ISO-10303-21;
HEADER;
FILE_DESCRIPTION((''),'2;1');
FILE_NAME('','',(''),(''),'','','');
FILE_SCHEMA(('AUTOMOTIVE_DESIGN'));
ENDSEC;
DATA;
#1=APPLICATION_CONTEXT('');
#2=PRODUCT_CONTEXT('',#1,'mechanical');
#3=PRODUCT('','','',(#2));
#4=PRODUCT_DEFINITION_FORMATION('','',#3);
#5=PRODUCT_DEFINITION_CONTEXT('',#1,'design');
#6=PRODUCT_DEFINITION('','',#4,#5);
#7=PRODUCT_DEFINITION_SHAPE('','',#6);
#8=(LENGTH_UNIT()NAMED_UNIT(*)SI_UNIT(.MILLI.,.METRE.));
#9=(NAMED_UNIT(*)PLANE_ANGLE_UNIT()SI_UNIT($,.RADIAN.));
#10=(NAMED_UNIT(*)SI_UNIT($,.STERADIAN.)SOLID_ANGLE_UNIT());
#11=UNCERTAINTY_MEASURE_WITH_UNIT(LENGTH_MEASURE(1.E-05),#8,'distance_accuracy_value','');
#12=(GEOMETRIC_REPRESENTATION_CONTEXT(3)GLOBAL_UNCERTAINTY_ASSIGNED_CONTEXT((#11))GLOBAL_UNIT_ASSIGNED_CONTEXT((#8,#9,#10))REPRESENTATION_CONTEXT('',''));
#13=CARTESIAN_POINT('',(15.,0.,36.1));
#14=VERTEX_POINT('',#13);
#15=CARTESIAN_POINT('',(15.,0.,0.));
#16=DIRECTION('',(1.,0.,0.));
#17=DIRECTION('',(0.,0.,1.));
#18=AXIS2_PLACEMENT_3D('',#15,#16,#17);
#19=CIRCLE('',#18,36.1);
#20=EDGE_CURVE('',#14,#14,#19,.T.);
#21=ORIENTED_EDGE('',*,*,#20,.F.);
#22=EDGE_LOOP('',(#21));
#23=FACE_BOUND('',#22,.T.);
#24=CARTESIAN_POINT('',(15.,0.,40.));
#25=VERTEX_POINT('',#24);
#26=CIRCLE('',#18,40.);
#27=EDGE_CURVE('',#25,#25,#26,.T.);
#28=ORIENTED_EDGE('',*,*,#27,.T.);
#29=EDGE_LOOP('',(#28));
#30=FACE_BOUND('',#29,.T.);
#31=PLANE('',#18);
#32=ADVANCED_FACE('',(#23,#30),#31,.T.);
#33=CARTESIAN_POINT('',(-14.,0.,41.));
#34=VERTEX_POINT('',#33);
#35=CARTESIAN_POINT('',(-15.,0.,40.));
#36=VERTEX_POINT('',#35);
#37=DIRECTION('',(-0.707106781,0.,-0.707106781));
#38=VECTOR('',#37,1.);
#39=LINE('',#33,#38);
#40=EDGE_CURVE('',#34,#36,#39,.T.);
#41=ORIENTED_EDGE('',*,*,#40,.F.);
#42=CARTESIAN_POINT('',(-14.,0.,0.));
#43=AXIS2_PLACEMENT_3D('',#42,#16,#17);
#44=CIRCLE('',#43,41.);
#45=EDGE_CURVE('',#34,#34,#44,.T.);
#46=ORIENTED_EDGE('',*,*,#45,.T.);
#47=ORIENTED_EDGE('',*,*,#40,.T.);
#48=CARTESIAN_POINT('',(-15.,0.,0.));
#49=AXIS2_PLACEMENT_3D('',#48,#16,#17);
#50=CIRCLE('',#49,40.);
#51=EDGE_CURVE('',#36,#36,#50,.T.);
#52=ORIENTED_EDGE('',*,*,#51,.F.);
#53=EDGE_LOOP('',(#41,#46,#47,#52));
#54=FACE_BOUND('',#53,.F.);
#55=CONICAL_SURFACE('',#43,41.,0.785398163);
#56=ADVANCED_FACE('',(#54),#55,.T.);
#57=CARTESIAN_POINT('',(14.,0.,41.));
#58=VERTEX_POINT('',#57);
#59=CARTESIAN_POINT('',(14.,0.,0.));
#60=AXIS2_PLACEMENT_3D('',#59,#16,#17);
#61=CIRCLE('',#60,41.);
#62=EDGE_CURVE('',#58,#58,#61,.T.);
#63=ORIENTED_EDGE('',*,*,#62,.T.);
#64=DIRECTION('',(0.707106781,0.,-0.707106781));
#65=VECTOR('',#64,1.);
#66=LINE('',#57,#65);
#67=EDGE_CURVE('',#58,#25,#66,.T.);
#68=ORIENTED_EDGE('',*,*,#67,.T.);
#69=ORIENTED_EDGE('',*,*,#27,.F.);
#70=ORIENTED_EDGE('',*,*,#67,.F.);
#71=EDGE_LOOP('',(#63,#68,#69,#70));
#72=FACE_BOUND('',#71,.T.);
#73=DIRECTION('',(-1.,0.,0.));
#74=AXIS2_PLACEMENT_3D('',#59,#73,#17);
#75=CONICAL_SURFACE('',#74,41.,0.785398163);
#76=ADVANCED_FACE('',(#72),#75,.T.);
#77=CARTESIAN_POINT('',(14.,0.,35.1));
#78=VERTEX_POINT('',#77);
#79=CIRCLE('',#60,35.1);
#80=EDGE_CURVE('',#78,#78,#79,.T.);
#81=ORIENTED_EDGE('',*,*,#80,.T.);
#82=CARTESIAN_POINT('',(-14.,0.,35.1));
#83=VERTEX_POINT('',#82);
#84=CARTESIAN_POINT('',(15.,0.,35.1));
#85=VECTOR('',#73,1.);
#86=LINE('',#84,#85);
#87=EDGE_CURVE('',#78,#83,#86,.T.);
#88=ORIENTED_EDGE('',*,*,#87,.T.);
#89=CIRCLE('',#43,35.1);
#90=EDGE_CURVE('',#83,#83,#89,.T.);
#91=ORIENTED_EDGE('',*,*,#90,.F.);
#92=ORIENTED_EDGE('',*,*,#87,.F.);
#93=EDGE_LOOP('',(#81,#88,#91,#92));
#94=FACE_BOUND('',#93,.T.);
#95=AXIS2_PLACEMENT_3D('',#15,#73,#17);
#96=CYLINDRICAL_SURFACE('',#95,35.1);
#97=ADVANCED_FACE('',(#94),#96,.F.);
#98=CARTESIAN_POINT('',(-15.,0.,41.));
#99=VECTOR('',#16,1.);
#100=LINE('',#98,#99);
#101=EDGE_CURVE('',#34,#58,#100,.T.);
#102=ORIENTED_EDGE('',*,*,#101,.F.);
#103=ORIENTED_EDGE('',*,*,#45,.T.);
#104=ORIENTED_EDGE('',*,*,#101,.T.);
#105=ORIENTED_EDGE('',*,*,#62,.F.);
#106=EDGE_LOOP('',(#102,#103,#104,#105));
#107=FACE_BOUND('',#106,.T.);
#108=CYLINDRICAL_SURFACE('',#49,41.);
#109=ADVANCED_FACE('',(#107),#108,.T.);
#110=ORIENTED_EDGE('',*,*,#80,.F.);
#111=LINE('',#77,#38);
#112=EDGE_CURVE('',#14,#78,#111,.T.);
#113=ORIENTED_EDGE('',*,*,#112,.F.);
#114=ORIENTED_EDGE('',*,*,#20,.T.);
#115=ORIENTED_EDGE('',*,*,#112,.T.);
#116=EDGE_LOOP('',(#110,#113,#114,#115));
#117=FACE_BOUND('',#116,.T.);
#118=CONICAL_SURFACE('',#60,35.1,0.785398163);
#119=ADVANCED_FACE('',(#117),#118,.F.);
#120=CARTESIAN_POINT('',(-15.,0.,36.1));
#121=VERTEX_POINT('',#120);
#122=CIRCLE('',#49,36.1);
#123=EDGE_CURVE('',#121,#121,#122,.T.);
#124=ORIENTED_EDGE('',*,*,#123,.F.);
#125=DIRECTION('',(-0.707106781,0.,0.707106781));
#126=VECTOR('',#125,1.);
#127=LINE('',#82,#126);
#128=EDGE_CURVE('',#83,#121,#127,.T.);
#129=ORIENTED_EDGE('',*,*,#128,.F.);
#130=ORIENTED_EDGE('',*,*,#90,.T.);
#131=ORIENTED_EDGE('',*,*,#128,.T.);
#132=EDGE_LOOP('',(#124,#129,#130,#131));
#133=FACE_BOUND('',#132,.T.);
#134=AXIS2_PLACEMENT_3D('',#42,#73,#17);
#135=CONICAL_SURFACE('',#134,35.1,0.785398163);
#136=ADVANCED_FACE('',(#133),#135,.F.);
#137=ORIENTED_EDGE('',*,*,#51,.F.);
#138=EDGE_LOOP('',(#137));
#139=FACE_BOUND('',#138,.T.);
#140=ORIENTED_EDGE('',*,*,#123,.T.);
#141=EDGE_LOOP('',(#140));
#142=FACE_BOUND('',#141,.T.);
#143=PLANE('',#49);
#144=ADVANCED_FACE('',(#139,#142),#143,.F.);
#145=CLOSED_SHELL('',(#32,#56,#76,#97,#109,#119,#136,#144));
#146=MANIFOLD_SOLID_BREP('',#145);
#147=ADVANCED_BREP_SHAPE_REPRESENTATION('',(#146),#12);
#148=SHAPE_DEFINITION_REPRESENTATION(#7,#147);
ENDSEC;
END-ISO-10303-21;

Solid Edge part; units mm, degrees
sketch "Sketch1" plane through (0, 0, 0) normal (0, -1, 0) x (1, 0, 0)
  line L0 (-15, 41) -> (15, 41)
  line L1 (15, 41) -> (15, 35.1)
  line L2 (15, 35.1) -> (-15, 35.1)
  line L3 (-15, 35.1) -> (-15, 41)
  dimension "D1" = 30
revolve "RevolvedProtrusion1" add sketch "Sketch1" angle 360 about axis through (-60, 0, 0) along (1, 0, 0)
chamfer "Chamfer1" distance 1 angle 45 4 edges at (15, 0, -35.1) (15, 0, -41) (-15, 0, -41) (-15, 0, -35.1)
properties material "Polypropylene, general purpose"
